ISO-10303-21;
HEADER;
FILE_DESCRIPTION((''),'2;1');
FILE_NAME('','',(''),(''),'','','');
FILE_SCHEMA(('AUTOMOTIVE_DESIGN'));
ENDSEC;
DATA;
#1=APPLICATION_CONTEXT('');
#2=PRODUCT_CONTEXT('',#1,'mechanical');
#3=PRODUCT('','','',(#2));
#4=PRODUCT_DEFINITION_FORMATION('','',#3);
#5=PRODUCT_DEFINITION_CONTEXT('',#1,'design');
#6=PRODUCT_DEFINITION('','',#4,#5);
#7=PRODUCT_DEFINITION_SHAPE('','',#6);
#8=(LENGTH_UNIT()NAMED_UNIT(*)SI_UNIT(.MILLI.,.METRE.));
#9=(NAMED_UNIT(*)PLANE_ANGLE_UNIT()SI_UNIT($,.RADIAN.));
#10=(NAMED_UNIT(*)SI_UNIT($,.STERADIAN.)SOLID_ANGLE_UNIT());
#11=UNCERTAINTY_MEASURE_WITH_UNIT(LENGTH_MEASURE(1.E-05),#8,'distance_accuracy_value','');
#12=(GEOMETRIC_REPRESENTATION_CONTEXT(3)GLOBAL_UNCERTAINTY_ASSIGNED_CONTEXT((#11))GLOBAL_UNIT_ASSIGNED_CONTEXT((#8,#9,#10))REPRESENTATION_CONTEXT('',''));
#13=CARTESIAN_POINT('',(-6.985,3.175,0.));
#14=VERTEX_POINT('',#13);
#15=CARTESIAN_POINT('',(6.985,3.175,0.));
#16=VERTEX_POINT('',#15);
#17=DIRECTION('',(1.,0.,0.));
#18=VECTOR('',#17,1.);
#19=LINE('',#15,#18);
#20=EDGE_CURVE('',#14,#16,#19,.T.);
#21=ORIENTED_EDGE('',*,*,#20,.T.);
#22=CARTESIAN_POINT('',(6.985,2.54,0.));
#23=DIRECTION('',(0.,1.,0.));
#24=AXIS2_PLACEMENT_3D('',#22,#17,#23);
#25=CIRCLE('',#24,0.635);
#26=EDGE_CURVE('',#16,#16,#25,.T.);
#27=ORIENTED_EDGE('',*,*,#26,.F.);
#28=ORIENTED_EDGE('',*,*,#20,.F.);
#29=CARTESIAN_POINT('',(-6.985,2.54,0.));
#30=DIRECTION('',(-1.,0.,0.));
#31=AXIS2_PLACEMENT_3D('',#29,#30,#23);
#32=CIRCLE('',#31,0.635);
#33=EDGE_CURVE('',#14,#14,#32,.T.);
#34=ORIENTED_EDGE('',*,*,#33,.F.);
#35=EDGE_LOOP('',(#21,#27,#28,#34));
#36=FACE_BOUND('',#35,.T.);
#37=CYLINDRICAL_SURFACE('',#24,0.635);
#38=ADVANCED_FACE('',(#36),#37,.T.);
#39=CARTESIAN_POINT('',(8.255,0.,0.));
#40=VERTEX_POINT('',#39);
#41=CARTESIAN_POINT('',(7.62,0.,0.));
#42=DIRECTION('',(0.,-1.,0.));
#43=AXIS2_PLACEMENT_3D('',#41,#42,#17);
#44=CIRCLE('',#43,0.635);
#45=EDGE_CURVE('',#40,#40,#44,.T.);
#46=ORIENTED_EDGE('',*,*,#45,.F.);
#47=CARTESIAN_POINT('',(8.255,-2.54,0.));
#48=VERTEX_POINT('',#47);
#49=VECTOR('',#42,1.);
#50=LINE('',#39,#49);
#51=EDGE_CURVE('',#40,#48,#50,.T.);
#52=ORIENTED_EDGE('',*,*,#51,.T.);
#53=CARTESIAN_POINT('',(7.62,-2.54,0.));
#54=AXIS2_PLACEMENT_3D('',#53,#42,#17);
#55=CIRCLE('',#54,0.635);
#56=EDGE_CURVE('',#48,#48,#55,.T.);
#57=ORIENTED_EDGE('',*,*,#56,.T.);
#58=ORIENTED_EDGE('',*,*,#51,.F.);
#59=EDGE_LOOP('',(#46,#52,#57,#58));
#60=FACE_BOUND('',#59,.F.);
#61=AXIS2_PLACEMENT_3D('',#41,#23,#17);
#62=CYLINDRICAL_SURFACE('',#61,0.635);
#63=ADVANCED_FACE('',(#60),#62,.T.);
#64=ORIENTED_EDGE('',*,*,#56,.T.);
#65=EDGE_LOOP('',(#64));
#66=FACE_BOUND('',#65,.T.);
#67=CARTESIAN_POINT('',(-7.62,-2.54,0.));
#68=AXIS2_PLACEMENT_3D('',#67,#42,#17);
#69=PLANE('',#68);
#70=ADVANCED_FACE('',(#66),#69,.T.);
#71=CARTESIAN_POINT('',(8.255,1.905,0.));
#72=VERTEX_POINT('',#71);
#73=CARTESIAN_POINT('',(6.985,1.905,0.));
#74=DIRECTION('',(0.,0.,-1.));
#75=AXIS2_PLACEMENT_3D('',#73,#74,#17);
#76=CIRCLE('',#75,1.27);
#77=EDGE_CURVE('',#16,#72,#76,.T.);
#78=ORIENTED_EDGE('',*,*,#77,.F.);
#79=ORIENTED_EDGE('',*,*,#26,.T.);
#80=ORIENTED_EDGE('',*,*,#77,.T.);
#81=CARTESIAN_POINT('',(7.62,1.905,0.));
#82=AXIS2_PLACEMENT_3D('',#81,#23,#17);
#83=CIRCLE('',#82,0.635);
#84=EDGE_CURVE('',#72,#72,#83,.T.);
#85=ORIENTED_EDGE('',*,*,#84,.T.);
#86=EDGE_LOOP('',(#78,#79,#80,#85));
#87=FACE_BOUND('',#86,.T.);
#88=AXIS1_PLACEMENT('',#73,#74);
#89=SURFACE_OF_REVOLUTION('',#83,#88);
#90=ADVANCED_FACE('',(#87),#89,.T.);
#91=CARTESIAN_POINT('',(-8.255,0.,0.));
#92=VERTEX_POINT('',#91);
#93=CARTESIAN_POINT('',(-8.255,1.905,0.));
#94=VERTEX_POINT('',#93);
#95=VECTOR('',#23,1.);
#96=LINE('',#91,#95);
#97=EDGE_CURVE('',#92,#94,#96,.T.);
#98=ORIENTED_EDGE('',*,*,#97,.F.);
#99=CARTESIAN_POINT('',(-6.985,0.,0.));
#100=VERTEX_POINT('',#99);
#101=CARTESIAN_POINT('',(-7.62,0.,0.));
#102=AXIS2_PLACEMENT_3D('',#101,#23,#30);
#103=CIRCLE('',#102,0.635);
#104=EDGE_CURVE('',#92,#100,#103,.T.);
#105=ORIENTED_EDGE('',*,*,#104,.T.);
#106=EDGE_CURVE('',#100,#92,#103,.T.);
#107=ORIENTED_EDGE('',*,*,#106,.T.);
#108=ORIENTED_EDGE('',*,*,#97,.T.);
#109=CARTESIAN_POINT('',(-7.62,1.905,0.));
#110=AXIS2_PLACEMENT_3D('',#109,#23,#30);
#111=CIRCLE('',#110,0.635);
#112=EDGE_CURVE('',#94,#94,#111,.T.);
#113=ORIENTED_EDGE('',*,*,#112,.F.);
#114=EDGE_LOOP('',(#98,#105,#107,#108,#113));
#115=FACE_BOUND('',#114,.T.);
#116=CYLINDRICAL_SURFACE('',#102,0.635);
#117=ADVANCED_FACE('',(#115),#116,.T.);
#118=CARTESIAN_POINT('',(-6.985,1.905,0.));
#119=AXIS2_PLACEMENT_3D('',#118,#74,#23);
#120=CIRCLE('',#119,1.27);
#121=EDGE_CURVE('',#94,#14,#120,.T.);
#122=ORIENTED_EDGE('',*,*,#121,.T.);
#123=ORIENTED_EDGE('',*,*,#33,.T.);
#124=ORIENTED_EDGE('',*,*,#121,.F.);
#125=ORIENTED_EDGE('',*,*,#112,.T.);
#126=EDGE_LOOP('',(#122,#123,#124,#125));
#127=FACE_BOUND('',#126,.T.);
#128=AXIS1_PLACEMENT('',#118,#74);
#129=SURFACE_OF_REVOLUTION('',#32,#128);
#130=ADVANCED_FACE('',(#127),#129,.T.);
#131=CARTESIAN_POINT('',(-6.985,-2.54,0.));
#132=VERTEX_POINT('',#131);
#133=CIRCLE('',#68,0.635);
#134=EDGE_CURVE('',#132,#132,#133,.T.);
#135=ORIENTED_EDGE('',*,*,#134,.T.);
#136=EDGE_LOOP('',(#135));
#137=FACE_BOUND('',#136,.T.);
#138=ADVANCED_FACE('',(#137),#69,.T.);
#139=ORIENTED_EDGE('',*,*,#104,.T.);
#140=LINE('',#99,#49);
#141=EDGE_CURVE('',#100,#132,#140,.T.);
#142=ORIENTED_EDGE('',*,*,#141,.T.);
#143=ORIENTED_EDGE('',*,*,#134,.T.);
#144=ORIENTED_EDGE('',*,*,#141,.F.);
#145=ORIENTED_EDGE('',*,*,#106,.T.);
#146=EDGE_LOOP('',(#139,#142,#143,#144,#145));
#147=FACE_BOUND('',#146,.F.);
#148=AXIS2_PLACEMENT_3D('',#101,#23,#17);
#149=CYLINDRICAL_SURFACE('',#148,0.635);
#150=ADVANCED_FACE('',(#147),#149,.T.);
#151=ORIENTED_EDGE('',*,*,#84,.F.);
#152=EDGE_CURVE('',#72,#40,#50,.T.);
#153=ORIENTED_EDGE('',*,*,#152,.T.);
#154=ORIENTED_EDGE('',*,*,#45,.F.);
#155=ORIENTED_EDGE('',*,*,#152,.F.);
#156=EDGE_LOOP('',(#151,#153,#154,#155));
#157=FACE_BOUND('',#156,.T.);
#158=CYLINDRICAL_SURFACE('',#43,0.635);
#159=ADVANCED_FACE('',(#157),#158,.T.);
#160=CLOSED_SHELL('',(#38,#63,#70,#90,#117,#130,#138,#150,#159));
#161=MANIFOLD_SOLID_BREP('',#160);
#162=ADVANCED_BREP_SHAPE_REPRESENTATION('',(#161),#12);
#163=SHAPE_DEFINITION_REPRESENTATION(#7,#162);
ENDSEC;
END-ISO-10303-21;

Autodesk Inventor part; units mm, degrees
ref_plane "YZ Plane" through (0, 0, 0) normal (1, 0, 0) x (0, 1, 0)
ref_plane "XZ Plane" through (0, 0, 0) normal (0, 1, 0) x (-1, 0, 0)
ref_plane "XY Plane" through (0, 0, 0) normal (0, 0, 1) x (1, 0, 0)
sketch "Sketch1" plane through (0, 0, 0) normal (0, 1, 0) x (-1, 0, 0)
  line L0 (0, 0) -> (-7.62, 0) construction
  line L1 (0, 0) -> (7.62, 0) construction
  circle A0 centre (7.62, 0) radius 0.635
  dimension "d0" = 7.62
  dimension "d1" = 7.62
  dimension "d2" = 1.27
sketch "Sketch2" plane through (0, 0, 0) normal (0, 0, 1) x (1, 0, 0)
  line L0 (0, 0) -> (-7.62, 0) construction
  line L1 (0, 0) -> (7.62, 0) construction
  line L2 (-7.62, 0) -> (-7.62, 1.905)
  arc A0 (-6.985, 2.54) -> (-7.62, 1.905) centre (-6.985, 1.905) ccw
  line L3 (7.62, 0) -> (7.62, 1.905)
  line L4 (6.985, 2.54) -> (-6.985, 2.54)
  arc A1 (7.62, 1.905) -> (6.985, 2.54) centre (6.985, 1.905) ccw
  point P0 (-7.62, 2.54)
  point P1 (3.81, 2.54)
  point P2 (7.62, 2.54)
  dimension "d3" = 2.54
  dimension "d5" = 0.635
  dimension "d10" = 2.54
  dimension "d11" = 0.635
sweep "Sweep1" add profiles "Sketch1" path "Sketch2"
sketch "Sketch3" plane through (-7.62, 0, 0) normal (0, -1, 0) x (1, 0, 0)
  circle A0 centre (0, 0) radius 0.635 projected
  circle A1 centre (15.24, 0) radius 0.635 projected
  point P0 (7.62, 0)
extrude "Extrusion1" add sketch "Sketch3" along normal blind 2.54
properties part number "bus bar"
